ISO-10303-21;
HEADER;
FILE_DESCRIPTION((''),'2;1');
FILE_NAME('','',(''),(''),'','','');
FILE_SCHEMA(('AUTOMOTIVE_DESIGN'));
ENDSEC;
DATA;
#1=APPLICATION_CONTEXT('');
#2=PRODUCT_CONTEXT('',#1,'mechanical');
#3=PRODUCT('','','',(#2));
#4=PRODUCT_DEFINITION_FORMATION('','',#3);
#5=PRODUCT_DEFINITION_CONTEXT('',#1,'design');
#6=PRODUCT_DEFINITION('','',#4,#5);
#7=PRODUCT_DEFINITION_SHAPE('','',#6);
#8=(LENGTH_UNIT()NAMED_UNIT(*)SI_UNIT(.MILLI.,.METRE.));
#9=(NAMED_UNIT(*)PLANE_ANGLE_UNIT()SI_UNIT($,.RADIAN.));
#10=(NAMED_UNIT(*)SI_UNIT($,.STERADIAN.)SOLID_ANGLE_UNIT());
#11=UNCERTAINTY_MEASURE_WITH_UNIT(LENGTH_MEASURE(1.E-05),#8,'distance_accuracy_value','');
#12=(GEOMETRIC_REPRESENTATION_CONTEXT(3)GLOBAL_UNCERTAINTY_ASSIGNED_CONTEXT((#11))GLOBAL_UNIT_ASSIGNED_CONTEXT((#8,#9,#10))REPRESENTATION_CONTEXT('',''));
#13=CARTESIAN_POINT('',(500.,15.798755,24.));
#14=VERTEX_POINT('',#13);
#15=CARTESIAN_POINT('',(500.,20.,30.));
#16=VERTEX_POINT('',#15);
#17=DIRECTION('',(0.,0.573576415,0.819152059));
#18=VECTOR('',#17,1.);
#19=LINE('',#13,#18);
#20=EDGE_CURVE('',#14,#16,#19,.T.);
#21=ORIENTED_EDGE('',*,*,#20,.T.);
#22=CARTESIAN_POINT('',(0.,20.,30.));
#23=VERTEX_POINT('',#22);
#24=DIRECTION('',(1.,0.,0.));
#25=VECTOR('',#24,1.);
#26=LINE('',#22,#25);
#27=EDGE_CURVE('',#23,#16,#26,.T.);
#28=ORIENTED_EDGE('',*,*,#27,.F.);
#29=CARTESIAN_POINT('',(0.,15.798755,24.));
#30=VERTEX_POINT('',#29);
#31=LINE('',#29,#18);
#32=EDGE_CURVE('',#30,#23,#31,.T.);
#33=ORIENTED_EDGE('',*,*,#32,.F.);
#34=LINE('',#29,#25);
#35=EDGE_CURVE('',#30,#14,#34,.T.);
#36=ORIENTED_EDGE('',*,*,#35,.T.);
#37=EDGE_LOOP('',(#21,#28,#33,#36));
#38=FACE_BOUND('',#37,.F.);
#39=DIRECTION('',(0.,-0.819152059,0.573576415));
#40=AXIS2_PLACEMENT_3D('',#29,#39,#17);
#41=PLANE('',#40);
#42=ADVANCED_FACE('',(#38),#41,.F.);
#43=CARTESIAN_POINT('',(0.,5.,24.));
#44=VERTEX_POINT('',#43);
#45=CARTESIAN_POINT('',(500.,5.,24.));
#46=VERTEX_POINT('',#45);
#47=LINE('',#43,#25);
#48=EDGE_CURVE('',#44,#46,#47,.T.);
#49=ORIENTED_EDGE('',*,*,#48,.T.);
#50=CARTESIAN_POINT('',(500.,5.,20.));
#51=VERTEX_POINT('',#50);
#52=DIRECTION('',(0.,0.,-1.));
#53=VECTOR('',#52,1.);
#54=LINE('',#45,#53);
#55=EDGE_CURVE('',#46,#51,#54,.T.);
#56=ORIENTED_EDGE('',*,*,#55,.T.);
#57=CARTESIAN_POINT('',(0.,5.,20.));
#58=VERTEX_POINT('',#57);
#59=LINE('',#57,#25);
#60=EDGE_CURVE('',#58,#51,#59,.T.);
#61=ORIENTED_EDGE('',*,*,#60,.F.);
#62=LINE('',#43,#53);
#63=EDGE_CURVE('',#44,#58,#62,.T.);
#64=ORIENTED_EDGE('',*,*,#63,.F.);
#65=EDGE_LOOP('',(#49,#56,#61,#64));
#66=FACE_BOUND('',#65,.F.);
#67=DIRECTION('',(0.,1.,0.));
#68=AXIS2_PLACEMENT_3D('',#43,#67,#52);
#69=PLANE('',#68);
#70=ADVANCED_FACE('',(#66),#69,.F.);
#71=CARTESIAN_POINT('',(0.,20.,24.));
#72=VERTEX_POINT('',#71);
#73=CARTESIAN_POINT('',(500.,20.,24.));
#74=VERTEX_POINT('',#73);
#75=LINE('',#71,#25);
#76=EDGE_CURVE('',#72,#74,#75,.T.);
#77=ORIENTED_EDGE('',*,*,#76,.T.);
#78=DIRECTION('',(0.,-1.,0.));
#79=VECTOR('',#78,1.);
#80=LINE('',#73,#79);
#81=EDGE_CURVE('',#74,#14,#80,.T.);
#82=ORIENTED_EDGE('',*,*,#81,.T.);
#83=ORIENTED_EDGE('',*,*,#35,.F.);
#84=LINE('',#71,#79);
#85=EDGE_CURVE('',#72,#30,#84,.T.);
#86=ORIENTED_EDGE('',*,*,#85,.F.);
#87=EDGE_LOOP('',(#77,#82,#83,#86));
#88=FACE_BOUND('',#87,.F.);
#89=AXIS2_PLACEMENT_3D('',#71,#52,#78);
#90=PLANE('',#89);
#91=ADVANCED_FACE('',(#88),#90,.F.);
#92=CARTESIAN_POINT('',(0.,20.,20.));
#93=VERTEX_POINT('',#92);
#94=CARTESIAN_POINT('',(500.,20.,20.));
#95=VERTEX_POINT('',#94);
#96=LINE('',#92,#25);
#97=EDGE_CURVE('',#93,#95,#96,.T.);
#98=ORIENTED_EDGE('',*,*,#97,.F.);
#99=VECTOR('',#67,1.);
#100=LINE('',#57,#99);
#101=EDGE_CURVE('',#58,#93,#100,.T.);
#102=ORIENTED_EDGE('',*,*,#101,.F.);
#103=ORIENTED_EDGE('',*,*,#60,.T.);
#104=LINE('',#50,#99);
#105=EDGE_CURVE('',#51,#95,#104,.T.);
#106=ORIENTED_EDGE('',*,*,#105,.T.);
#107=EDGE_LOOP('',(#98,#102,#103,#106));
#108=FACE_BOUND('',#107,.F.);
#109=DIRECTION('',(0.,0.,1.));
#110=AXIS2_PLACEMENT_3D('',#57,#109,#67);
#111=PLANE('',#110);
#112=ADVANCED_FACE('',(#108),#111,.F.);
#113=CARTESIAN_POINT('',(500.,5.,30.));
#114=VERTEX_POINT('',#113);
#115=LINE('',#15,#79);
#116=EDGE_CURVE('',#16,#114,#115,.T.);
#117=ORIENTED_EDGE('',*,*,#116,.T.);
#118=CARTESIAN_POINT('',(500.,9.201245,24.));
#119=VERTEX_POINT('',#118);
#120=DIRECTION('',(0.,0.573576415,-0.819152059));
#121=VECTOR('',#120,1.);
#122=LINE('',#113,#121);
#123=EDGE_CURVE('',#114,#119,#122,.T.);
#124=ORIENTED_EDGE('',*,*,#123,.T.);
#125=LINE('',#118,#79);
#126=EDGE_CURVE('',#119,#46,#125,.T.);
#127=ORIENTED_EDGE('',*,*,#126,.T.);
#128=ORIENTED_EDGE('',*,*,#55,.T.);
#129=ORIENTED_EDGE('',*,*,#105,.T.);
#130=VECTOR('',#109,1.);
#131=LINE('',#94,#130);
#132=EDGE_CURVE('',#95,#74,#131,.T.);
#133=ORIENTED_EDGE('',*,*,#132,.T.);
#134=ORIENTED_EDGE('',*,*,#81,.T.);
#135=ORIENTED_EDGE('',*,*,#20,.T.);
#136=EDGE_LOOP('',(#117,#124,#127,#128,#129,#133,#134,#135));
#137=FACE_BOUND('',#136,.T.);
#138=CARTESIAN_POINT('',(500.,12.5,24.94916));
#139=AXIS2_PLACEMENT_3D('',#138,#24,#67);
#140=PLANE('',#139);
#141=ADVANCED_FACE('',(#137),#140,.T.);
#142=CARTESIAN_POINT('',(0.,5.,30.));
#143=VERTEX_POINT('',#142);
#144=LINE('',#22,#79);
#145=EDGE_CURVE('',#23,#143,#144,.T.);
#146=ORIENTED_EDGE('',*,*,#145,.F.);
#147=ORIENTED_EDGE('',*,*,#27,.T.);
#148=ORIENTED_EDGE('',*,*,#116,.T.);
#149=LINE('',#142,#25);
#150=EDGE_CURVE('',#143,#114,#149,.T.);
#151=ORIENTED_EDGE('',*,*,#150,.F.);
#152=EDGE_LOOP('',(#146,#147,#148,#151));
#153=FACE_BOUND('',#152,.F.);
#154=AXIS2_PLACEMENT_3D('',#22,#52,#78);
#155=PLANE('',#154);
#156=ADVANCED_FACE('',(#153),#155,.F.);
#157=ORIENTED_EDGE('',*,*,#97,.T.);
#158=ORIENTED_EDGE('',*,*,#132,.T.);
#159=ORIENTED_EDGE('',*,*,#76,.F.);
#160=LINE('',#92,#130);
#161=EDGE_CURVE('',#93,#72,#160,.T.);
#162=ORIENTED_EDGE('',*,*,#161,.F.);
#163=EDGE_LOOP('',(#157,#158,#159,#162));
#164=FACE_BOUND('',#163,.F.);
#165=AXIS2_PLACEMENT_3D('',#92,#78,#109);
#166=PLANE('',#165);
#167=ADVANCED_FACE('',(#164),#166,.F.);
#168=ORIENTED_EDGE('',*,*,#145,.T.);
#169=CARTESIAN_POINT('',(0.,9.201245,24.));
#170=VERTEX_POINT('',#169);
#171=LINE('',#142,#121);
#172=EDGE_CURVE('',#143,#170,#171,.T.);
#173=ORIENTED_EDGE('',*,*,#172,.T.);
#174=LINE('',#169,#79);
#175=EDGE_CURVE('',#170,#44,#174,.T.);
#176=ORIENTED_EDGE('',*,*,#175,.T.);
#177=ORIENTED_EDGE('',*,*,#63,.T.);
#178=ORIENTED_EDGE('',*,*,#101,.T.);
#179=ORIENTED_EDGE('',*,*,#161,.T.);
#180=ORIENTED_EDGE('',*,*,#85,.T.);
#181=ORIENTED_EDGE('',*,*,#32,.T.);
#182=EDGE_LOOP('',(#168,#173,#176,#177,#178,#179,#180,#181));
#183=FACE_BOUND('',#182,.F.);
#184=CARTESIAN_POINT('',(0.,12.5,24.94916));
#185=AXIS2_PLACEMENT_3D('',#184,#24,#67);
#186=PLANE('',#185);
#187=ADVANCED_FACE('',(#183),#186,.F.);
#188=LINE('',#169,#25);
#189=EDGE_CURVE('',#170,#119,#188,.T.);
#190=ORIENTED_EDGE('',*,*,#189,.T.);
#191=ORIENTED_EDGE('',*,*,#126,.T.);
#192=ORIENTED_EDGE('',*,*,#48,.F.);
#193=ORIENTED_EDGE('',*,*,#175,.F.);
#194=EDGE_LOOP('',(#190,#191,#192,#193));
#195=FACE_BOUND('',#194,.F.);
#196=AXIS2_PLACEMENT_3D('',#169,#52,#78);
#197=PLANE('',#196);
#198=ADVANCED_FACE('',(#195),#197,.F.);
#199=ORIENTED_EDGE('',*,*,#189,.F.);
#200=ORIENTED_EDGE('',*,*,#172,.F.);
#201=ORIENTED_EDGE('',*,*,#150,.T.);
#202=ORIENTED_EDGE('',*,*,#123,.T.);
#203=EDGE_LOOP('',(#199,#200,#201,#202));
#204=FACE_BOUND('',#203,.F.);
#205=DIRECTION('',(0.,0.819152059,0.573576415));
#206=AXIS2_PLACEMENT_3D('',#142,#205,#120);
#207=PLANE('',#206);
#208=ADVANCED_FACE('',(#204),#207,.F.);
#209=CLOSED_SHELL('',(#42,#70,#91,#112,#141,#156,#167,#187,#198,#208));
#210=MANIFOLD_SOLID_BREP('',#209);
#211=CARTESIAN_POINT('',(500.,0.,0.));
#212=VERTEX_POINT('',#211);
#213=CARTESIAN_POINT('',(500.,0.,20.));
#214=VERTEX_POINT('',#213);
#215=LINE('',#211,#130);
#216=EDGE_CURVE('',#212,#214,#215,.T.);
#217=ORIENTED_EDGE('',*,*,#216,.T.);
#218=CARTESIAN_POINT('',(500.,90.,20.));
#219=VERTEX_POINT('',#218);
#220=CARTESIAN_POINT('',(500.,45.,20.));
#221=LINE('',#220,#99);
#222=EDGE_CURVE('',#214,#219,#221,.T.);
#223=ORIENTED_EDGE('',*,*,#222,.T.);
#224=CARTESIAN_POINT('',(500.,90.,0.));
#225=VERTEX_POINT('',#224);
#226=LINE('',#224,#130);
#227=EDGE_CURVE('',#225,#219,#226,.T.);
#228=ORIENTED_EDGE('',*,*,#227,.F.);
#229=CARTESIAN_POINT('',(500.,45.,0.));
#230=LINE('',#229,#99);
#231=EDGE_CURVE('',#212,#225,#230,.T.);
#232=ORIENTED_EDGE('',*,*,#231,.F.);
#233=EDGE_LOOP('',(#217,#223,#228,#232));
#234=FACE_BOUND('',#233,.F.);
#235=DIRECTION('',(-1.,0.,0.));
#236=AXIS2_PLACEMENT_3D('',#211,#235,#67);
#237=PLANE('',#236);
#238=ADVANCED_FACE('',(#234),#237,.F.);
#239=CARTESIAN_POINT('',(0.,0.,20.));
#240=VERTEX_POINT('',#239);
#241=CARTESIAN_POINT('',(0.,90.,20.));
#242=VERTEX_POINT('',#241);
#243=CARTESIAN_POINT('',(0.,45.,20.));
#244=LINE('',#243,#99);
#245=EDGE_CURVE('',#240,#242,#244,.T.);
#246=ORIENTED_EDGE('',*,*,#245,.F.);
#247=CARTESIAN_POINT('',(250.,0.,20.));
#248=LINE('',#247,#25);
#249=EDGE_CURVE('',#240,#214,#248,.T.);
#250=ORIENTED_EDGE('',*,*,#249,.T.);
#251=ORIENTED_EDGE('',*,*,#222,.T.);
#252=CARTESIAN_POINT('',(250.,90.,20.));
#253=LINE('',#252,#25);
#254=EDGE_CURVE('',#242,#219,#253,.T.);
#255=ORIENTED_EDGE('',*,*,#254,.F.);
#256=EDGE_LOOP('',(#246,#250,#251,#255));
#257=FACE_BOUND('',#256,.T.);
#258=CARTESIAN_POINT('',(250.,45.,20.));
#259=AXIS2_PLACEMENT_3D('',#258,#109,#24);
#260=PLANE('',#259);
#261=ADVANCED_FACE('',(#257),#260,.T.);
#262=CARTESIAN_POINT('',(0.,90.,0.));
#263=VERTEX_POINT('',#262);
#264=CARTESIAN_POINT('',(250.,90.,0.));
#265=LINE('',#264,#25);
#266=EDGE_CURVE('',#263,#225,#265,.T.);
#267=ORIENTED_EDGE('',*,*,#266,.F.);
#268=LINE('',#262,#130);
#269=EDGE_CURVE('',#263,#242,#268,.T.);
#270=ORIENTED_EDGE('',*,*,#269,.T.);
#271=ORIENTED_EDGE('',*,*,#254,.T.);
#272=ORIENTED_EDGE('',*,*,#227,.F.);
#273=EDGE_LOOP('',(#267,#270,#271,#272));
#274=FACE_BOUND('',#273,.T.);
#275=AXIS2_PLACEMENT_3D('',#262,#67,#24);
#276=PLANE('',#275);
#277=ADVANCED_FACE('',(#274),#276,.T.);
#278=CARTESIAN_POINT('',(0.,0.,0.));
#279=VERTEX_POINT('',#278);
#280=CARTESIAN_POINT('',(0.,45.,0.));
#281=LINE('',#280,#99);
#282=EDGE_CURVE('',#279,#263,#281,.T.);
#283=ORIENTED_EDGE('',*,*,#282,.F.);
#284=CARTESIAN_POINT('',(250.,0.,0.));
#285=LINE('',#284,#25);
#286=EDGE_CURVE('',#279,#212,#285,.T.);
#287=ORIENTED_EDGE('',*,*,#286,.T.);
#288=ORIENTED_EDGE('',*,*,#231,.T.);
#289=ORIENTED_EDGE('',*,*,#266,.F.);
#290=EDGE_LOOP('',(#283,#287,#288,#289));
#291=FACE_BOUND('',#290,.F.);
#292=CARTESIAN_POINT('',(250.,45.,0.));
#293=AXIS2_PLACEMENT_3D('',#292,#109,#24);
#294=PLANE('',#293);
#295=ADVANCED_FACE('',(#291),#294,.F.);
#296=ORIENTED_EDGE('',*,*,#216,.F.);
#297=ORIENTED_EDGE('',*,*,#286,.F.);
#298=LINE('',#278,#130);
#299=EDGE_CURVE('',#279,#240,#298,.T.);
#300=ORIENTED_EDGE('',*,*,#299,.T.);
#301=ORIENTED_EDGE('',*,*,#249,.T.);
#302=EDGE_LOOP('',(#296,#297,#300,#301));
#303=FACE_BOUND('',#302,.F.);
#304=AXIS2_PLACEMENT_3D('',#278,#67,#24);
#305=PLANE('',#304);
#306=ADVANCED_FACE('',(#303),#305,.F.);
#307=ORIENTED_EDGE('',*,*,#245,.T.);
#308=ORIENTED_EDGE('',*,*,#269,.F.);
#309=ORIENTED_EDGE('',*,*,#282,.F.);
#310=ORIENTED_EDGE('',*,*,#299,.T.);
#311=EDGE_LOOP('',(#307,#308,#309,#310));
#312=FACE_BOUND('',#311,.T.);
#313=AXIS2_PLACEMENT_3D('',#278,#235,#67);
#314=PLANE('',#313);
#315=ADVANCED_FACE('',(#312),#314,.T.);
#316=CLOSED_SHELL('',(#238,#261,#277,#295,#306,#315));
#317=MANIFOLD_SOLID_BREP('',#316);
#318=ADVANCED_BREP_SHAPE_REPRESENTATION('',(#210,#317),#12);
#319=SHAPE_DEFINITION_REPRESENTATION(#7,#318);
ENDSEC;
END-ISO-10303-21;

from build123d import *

# Parameters (mm, degrees)
F0_W     = 500
F0_H     = 90
F1_DEPTH = 20
F3_DEPTH = 500


with BuildPart() as f1:
    # F0 (on Top) → F1 (new body)
    with BuildSketch(Plane.XY):
        with Locations((250, 45)):
            Rectangle(F0_W, F0_H)
    extrude(amount=F1_DEPTH)


with BuildPart() as f3:
    # F2 (on Right) → F3 (new body)
    with BuildSketch(Plane.YZ):
        Polygon((5, 20), (20, 20), (20, 24), (15.798755, 24), (20, 30), (5, 30), (9.201245, 24), (5, 24), align=None)
    extrude(amount=F3_DEPTH)


solid = Compound([f1.part, f3.part])
